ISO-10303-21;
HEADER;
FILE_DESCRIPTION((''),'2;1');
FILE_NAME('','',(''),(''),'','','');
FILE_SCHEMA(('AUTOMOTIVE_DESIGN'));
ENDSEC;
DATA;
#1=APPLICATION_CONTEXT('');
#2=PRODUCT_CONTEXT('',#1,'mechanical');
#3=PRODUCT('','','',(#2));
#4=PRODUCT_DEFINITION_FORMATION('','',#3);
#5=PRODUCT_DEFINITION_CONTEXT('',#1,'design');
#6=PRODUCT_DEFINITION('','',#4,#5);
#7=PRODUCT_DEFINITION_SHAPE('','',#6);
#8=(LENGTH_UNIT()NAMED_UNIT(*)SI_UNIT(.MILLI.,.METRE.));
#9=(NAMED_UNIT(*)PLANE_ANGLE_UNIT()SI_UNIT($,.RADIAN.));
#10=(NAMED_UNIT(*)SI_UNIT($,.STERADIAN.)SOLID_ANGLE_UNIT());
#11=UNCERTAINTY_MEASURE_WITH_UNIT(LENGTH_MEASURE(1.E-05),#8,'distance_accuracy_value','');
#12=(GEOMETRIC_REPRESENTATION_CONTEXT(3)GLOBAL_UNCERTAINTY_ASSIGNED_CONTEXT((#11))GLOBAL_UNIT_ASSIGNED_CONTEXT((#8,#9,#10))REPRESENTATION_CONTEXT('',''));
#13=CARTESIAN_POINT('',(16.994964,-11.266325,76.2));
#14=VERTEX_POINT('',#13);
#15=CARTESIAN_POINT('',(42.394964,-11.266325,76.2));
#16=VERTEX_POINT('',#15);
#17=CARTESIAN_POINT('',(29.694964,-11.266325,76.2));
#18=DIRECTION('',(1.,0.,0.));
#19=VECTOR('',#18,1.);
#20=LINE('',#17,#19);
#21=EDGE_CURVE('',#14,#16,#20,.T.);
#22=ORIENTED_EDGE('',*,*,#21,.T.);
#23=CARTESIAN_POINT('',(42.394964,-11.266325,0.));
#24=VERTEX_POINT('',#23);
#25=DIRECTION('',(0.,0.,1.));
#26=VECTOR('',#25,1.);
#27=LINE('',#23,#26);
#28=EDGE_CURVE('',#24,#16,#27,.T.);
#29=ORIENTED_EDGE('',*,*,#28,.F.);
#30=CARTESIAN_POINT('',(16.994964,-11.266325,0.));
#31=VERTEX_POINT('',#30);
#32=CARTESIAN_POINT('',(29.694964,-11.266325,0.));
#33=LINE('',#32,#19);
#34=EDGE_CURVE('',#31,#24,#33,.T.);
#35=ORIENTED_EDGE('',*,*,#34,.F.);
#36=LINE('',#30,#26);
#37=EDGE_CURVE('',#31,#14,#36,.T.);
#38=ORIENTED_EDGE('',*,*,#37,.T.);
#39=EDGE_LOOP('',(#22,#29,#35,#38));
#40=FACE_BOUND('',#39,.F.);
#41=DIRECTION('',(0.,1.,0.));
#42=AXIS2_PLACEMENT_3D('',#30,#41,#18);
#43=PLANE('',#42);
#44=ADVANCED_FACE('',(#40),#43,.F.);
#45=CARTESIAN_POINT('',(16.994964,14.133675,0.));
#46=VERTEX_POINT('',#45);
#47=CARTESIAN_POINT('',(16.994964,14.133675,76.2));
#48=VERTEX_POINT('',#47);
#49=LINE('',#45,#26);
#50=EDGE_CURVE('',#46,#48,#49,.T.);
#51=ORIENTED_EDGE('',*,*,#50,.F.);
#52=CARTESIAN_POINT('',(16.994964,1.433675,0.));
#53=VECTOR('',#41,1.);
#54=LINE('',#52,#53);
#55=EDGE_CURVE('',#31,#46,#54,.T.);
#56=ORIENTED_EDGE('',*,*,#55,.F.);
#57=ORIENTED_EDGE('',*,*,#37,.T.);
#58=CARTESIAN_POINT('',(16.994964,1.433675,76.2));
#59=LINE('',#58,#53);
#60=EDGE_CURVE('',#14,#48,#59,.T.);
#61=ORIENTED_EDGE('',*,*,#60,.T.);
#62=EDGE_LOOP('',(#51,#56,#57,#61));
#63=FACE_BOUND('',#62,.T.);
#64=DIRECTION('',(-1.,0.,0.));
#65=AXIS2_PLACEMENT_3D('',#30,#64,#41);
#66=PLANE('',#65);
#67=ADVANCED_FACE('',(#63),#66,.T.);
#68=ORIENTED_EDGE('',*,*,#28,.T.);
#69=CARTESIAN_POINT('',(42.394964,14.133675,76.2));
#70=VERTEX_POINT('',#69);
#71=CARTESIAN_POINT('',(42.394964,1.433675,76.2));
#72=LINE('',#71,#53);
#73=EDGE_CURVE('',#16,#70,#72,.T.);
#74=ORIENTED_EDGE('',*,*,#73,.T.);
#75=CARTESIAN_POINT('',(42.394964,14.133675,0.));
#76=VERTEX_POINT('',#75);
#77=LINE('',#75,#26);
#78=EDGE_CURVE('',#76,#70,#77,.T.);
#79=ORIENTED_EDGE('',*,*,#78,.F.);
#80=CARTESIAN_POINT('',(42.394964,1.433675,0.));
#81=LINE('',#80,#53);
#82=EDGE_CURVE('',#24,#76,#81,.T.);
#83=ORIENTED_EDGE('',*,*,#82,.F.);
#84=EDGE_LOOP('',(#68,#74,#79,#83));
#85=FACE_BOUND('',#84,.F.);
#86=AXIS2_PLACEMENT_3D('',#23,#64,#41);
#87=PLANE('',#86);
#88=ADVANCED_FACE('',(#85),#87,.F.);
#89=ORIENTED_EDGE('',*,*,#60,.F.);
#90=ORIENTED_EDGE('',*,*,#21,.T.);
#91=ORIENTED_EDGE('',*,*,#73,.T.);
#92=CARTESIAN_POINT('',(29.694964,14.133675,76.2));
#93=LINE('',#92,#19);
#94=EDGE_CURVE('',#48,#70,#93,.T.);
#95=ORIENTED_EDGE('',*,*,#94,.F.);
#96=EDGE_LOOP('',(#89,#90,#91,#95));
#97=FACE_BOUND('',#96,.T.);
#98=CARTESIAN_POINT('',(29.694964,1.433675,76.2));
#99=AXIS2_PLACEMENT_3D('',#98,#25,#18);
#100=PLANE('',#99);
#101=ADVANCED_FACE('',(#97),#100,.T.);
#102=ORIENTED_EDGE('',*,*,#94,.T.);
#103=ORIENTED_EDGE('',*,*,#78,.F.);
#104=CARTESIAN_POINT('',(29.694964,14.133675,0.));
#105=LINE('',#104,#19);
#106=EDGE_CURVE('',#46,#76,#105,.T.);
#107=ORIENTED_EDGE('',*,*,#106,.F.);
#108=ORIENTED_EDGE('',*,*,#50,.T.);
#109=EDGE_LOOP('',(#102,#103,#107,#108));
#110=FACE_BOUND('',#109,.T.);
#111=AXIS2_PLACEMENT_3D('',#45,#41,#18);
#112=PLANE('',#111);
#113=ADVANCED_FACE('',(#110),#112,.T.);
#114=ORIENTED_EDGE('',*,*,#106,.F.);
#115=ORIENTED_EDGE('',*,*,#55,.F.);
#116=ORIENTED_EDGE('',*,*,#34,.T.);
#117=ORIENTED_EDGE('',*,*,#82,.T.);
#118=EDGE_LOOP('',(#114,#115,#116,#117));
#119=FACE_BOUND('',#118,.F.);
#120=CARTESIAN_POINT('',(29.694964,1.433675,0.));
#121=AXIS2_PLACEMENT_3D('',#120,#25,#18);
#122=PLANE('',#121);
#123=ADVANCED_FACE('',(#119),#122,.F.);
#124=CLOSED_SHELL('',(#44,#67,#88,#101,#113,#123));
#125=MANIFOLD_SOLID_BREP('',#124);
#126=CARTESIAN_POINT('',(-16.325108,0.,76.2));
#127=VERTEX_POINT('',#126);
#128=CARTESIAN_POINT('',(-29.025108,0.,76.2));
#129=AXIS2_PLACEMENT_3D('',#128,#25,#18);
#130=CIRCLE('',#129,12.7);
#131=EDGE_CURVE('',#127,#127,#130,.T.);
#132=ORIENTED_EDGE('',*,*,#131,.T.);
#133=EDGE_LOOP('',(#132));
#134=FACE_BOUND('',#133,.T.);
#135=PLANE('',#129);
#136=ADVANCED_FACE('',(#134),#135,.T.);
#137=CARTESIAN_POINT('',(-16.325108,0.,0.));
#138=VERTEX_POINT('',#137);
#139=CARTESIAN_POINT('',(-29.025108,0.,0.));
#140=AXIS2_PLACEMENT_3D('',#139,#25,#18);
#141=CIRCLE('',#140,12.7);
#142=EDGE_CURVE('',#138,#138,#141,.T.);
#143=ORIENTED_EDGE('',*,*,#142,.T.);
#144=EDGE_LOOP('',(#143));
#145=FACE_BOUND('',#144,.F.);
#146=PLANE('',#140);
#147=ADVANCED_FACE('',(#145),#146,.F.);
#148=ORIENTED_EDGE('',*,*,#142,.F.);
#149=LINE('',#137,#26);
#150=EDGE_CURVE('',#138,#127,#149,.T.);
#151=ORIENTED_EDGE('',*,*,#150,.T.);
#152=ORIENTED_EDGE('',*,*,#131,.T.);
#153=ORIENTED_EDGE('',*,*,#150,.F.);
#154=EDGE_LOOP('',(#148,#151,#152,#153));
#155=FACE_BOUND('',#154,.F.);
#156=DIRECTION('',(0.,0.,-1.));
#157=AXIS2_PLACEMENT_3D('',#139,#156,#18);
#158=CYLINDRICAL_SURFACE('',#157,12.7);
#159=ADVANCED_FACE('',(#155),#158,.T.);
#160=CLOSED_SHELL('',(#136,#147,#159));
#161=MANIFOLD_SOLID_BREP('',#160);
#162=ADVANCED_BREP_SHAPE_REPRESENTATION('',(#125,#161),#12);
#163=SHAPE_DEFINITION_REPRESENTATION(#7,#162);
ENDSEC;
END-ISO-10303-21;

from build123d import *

# Parameters (mm, degrees)
F0_R     = 12.7
F0_W     = 25.4
F0_H     = 25.4
F1_DEPTH = 76.2


with BuildPart() as f1:
    # F0 (on Top) → F1 (new body)
    with BuildSketch(Plane.XY):
        with Locations((-29.025108, 0)):
            Circle(F0_R)
        with Locations((29.694964, 1.433675)):
            Rectangle(F0_W, F0_H)
    extrude(amount=F1_DEPTH)


solid = f1.part
